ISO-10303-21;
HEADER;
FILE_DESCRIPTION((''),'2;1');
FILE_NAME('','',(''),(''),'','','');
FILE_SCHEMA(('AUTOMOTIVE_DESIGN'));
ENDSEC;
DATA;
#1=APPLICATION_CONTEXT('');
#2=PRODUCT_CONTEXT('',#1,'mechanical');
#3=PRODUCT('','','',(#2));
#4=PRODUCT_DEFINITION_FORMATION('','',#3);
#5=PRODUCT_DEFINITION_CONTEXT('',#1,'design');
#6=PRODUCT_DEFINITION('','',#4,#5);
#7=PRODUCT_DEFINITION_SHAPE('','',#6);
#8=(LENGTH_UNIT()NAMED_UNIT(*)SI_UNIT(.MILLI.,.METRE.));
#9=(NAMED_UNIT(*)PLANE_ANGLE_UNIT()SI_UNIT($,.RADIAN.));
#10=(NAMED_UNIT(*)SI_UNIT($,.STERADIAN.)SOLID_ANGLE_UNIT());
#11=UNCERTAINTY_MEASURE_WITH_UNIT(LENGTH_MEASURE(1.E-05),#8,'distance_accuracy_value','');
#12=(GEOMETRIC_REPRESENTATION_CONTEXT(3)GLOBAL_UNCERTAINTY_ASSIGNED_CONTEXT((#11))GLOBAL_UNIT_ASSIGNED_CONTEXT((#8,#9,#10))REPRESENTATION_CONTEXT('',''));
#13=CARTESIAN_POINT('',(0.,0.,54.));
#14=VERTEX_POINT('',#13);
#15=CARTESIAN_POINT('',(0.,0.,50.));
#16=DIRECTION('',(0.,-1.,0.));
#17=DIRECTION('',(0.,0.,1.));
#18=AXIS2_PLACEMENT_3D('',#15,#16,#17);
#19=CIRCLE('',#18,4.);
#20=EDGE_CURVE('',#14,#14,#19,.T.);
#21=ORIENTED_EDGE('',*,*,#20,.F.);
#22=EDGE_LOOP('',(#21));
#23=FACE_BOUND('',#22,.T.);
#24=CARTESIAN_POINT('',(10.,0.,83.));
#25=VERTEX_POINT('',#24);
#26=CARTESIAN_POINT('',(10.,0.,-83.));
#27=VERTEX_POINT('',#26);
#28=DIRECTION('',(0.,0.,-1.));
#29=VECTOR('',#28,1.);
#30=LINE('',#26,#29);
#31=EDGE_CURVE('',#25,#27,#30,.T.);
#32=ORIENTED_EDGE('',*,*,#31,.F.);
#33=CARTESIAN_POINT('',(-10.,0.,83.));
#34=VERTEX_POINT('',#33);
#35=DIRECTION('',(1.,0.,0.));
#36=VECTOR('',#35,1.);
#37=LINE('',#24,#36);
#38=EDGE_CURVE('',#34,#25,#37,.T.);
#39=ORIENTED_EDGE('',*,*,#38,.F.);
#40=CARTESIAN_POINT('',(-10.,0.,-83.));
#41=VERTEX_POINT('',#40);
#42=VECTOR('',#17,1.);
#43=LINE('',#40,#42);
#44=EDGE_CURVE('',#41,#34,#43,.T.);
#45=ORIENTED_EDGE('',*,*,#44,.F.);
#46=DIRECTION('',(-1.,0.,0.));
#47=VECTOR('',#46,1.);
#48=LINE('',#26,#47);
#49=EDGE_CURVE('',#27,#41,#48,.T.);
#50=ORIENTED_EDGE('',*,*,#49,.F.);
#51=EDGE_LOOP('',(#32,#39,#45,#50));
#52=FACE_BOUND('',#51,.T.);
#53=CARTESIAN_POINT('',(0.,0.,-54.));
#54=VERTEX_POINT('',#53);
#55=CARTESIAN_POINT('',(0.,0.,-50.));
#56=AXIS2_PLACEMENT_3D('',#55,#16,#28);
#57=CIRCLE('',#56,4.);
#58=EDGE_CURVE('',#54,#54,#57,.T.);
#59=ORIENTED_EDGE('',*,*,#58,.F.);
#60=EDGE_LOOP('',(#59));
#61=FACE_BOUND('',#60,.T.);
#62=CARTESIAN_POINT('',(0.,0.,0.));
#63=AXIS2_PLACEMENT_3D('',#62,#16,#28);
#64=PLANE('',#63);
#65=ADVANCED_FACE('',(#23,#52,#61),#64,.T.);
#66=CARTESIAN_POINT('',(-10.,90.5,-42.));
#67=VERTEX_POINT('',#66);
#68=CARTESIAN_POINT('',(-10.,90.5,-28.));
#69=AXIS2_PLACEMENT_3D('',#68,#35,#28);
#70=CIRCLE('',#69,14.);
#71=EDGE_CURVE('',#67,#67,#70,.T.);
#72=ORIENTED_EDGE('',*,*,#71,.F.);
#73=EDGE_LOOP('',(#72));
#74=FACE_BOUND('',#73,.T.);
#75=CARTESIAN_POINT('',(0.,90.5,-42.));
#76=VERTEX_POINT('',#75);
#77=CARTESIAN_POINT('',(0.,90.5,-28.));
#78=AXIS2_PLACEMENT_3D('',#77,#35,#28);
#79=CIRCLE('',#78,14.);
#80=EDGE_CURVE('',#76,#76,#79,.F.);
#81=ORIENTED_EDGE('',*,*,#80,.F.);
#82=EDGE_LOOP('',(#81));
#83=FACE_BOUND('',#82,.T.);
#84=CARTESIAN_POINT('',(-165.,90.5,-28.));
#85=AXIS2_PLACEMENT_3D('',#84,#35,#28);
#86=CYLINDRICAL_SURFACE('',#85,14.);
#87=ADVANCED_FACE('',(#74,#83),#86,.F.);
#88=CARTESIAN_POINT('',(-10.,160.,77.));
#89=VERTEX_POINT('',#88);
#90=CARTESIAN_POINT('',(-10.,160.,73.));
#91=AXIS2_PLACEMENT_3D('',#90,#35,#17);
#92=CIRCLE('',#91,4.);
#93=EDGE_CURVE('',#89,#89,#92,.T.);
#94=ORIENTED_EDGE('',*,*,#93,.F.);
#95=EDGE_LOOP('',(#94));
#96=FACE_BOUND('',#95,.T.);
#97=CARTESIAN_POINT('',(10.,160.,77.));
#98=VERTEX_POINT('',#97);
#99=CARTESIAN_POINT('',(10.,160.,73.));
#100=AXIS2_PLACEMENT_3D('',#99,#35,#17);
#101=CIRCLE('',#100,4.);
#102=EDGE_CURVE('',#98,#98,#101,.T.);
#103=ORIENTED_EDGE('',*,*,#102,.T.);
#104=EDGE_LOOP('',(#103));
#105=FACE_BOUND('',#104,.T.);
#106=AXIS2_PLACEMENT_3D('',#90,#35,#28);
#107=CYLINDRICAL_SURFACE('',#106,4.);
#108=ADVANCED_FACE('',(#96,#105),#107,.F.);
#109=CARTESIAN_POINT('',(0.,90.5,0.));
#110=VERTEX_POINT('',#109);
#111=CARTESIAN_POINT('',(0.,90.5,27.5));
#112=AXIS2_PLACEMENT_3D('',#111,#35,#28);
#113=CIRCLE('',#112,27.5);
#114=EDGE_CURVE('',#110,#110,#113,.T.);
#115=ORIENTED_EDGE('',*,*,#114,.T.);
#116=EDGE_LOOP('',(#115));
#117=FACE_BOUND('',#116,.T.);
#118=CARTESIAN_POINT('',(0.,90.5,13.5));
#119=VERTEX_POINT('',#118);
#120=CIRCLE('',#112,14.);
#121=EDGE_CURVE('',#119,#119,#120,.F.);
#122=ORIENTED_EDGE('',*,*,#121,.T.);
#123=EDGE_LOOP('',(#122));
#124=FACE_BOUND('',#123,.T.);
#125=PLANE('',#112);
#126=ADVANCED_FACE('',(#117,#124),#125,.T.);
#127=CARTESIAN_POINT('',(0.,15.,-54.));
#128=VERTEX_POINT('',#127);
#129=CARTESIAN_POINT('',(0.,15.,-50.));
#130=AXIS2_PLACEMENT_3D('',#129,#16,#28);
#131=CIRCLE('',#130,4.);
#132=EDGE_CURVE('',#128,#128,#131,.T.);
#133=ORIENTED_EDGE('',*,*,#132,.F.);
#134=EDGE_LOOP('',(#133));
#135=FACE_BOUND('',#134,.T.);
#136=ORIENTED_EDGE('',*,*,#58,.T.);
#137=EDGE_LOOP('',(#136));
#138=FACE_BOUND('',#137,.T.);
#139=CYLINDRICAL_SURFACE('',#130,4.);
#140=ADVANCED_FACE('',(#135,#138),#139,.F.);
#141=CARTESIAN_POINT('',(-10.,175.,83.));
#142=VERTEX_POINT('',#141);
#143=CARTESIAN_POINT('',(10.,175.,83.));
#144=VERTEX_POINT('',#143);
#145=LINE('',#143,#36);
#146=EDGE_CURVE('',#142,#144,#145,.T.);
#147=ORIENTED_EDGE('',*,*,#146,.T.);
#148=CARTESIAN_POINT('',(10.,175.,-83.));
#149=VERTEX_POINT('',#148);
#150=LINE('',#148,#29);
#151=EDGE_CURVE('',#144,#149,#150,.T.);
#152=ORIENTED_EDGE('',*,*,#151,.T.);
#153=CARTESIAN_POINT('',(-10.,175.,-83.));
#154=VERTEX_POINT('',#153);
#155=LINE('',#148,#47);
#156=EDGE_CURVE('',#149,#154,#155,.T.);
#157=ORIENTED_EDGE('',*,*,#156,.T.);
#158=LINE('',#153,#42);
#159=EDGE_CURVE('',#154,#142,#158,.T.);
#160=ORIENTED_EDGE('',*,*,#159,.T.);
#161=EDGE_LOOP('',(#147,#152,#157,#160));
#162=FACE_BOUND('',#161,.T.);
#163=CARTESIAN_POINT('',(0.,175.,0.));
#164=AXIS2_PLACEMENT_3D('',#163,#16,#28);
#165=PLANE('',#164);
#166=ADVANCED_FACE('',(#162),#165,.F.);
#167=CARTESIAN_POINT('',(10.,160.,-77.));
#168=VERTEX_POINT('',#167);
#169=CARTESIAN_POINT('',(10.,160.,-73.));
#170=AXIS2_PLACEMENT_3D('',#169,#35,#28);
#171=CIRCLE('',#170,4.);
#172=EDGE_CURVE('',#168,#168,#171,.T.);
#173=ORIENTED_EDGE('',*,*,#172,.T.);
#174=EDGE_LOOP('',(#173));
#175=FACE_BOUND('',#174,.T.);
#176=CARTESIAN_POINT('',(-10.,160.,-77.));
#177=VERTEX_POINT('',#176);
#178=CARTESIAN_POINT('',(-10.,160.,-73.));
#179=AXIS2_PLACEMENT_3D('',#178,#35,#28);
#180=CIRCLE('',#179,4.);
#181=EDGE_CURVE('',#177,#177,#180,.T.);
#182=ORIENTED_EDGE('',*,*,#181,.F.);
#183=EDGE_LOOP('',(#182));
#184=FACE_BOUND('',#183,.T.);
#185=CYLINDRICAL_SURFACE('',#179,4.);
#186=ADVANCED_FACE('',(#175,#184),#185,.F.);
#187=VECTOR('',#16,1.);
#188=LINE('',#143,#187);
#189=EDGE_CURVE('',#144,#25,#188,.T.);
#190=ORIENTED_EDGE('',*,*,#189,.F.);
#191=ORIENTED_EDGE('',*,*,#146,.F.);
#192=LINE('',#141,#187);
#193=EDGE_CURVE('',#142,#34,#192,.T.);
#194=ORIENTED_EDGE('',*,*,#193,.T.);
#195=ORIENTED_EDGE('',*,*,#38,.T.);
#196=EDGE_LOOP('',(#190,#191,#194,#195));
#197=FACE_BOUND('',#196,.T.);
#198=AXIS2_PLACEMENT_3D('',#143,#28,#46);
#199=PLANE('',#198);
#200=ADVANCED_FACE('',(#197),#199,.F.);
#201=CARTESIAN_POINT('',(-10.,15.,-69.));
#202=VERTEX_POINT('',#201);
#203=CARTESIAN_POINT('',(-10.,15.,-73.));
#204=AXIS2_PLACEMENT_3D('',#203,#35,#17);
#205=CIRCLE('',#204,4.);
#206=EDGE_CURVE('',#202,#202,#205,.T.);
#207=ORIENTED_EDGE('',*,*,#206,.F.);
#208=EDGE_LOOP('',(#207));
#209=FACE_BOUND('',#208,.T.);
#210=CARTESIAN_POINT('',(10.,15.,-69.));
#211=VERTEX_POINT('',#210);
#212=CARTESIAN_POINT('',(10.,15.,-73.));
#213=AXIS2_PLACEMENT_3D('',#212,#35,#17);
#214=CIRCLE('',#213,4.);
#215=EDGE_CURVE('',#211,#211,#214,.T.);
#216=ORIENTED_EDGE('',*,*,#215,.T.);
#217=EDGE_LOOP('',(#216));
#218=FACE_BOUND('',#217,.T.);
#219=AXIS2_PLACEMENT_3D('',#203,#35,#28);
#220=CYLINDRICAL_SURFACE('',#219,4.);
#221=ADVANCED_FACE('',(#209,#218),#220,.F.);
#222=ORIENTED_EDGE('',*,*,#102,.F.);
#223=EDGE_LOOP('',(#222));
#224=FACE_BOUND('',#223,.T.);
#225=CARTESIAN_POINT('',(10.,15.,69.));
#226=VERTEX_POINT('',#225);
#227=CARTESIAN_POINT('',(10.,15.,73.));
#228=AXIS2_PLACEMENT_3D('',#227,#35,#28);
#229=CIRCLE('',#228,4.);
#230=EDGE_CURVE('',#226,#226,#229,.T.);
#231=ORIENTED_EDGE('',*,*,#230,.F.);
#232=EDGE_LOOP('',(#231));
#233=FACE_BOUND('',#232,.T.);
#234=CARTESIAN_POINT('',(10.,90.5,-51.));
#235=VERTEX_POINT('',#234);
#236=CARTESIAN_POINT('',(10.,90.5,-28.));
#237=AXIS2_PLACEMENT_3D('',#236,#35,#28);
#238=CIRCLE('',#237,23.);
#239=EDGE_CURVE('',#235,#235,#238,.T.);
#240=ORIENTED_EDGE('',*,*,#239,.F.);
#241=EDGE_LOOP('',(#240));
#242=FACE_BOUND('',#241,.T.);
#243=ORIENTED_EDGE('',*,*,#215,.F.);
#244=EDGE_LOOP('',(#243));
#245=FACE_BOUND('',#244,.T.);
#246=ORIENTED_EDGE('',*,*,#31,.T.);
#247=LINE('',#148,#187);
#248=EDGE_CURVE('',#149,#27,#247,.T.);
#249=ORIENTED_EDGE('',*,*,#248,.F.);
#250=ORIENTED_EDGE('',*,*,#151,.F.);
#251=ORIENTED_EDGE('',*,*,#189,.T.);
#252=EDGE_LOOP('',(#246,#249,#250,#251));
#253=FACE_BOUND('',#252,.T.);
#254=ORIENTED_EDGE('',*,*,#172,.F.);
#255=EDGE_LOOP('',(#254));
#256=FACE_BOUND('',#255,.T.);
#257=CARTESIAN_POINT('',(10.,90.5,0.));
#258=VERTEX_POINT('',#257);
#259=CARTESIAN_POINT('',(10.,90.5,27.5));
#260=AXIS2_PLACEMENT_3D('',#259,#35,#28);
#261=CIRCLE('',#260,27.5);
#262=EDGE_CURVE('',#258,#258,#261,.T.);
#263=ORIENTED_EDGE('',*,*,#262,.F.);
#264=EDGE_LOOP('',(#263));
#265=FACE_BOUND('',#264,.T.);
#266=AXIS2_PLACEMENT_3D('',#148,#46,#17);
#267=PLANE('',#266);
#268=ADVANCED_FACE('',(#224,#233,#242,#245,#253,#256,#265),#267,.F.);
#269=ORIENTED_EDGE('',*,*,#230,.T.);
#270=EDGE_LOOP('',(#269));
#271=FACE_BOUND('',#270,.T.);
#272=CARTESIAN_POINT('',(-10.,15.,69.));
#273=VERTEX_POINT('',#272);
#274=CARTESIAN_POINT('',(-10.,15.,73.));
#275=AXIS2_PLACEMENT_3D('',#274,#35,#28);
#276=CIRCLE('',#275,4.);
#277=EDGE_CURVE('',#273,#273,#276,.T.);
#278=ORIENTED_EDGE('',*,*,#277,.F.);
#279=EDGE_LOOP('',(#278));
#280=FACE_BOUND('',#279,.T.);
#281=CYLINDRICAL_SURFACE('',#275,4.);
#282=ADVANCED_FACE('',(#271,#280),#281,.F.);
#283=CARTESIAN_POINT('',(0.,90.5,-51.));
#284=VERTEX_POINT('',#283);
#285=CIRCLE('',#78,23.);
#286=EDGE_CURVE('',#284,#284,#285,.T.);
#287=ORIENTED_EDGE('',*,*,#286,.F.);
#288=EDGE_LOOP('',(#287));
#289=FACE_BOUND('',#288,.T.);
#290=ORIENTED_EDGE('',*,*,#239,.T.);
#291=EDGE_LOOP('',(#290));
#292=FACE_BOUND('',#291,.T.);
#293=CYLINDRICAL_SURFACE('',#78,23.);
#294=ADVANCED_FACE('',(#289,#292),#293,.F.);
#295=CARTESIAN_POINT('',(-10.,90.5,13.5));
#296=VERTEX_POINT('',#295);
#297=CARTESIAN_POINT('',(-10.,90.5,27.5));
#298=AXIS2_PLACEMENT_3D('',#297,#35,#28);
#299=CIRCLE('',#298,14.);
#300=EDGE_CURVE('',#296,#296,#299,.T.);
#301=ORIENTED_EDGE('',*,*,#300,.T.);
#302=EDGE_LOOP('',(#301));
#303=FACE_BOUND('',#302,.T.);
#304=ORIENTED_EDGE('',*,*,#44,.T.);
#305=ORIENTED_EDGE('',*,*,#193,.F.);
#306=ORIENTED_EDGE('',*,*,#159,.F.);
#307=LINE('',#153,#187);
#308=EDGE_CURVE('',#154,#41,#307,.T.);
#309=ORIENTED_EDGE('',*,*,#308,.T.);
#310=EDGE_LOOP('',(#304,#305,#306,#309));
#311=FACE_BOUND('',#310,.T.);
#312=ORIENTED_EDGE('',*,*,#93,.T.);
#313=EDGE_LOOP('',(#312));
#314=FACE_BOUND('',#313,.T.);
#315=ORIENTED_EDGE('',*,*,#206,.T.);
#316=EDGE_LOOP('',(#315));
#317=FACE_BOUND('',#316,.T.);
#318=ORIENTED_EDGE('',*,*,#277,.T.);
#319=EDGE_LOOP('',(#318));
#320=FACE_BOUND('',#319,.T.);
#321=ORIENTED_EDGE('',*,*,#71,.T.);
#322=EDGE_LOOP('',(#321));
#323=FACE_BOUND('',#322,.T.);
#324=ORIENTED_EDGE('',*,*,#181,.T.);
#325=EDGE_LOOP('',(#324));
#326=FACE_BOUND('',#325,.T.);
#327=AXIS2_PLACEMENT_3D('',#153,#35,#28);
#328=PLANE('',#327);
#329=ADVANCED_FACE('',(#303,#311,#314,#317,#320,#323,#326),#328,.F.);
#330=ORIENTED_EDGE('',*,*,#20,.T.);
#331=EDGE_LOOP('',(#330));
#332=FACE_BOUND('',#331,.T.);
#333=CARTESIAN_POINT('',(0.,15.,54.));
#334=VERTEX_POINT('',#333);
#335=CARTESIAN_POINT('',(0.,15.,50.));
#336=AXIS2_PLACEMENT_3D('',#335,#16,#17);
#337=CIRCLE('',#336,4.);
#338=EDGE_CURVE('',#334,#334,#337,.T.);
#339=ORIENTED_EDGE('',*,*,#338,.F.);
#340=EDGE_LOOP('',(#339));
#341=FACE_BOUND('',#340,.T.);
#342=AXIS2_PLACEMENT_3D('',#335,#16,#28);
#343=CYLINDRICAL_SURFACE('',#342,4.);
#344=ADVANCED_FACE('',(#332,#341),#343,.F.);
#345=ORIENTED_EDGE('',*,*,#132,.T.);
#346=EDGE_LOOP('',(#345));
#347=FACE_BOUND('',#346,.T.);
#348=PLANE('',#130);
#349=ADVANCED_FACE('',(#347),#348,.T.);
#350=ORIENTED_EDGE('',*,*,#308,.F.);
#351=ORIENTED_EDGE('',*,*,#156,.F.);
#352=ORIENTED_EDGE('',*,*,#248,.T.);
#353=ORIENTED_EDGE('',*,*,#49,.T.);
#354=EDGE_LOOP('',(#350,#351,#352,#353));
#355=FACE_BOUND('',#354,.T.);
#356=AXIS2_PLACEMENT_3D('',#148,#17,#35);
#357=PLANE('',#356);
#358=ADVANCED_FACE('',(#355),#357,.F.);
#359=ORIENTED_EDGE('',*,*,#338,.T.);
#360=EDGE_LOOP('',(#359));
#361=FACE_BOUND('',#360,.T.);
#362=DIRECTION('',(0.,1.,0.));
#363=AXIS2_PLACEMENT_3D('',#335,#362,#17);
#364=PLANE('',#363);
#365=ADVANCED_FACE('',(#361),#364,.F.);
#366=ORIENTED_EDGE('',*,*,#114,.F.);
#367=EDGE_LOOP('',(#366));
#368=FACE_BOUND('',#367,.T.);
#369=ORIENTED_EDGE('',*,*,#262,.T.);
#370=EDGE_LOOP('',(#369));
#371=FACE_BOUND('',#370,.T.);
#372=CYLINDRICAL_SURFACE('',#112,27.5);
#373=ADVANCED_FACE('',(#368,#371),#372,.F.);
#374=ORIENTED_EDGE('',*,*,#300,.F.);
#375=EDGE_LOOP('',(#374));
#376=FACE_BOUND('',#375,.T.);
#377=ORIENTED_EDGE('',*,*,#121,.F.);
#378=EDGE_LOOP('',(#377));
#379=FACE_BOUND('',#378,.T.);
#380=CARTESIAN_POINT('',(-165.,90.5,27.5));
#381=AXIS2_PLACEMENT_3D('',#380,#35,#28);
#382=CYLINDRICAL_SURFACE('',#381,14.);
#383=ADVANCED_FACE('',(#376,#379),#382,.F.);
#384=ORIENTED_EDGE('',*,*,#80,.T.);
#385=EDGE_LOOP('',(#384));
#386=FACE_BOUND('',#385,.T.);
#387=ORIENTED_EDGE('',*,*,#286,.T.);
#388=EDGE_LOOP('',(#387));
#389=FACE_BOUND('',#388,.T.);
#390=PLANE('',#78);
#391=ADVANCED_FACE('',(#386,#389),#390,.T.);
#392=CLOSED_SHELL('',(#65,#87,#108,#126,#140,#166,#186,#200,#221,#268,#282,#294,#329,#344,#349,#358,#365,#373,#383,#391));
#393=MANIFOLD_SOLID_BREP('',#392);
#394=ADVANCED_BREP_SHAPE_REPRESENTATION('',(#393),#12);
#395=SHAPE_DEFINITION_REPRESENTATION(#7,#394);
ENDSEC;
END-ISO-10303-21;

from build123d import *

# Parameters (mm, degrees)
SKETCH1_W           = 20
SKETCH1_H           = 166
BOSS_EXTRUDE1_DEPTH = 175
SKETCH2_R           = 14
CUT_EXTRUDE1_DEPTH  = 175
SKETCH3_R           = 27.5
SKETCH3_R_2         = 23
CUT_EXTRUDE2_DEPTH  = 10
SKETCH4_R           = 4
CUT_EXTRUDE3_DEPTH  = 195.715176604
SKETCH5_R           = 4
CUT_EXTRUDE4_DEPTH  = 15


with BuildPart() as part:
    # Sketch1 → Boss-Extrude1 (new body)
    with BuildSketch(Plane(origin=(0, 0, 0), x_dir=(1, 0, 0), z_dir=(0, 1, 0))):
        Rectangle(SKETCH1_W, SKETCH1_H)
    extrude(amount=BOSS_EXTRUDE1_DEPTH)

    # Sketch2 → Cut-Extrude1 (cut)
    with BuildSketch(Plane(origin=(10, 0, 0), x_dir=(0, 0, -1), z_dir=(1, 0, 0))):
        with Locations((-27.5, 90.5)):
            Circle(SKETCH2_R)
        with Locations((28, 90.5)):
            Circle(SKETCH2_R)
    extrude(amount=-CUT_EXTRUDE1_DEPTH, mode=Mode.SUBTRACT)

    # Sketch3 → Cut-Extrude2 (cut)
    with BuildSketch(Plane(origin=(10, 0, 0), x_dir=(0, 0, -1), z_dir=(1, 0, 0))):
        with Locations((-27.5, 90.5)):
            Circle(SKETCH3_R)
        with Locations((28, 90.5)):
            Circle(SKETCH3_R_2)
    extrude(amount=-CUT_EXTRUDE2_DEPTH, mode=Mode.SUBTRACT)

    # Sketch4 → Cut-Extrude3 (cut, through all)
    with BuildSketch(Plane(origin=(10, 0, 0), x_dir=(0, 0, -1), z_dir=(1, 0, 0))):
        with Locations((73, 160)):
            Circle(SKETCH4_R)
        with Locations(Location((73, 15, 0), (0, 0, 180))):
            Circle(SKETCH4_R)
        with Locations((-73, 15)):
            Circle(SKETCH4_R)
        with Locations(Location((-73, 160, 0), (0, 0, 180))):
            Circle(SKETCH4_R)
    extrude(amount=-CUT_EXTRUDE3_DEPTH, mode=Mode.SUBTRACT)

    # Sketch5 → Cut-Extrude4 (cut)
    with BuildSketch(Plane.XZ):
        with Locations(Location((0, -50, 0), (0, 0, 270))):
            Circle(SKETCH5_R)
        with Locations(Location((0, 50, 0), (0, 0, 90))):
            Circle(SKETCH5_R)
    extrude(amount=-CUT_EXTRUDE4_DEPTH, mode=Mode.SUBTRACT)


solid = part.part
